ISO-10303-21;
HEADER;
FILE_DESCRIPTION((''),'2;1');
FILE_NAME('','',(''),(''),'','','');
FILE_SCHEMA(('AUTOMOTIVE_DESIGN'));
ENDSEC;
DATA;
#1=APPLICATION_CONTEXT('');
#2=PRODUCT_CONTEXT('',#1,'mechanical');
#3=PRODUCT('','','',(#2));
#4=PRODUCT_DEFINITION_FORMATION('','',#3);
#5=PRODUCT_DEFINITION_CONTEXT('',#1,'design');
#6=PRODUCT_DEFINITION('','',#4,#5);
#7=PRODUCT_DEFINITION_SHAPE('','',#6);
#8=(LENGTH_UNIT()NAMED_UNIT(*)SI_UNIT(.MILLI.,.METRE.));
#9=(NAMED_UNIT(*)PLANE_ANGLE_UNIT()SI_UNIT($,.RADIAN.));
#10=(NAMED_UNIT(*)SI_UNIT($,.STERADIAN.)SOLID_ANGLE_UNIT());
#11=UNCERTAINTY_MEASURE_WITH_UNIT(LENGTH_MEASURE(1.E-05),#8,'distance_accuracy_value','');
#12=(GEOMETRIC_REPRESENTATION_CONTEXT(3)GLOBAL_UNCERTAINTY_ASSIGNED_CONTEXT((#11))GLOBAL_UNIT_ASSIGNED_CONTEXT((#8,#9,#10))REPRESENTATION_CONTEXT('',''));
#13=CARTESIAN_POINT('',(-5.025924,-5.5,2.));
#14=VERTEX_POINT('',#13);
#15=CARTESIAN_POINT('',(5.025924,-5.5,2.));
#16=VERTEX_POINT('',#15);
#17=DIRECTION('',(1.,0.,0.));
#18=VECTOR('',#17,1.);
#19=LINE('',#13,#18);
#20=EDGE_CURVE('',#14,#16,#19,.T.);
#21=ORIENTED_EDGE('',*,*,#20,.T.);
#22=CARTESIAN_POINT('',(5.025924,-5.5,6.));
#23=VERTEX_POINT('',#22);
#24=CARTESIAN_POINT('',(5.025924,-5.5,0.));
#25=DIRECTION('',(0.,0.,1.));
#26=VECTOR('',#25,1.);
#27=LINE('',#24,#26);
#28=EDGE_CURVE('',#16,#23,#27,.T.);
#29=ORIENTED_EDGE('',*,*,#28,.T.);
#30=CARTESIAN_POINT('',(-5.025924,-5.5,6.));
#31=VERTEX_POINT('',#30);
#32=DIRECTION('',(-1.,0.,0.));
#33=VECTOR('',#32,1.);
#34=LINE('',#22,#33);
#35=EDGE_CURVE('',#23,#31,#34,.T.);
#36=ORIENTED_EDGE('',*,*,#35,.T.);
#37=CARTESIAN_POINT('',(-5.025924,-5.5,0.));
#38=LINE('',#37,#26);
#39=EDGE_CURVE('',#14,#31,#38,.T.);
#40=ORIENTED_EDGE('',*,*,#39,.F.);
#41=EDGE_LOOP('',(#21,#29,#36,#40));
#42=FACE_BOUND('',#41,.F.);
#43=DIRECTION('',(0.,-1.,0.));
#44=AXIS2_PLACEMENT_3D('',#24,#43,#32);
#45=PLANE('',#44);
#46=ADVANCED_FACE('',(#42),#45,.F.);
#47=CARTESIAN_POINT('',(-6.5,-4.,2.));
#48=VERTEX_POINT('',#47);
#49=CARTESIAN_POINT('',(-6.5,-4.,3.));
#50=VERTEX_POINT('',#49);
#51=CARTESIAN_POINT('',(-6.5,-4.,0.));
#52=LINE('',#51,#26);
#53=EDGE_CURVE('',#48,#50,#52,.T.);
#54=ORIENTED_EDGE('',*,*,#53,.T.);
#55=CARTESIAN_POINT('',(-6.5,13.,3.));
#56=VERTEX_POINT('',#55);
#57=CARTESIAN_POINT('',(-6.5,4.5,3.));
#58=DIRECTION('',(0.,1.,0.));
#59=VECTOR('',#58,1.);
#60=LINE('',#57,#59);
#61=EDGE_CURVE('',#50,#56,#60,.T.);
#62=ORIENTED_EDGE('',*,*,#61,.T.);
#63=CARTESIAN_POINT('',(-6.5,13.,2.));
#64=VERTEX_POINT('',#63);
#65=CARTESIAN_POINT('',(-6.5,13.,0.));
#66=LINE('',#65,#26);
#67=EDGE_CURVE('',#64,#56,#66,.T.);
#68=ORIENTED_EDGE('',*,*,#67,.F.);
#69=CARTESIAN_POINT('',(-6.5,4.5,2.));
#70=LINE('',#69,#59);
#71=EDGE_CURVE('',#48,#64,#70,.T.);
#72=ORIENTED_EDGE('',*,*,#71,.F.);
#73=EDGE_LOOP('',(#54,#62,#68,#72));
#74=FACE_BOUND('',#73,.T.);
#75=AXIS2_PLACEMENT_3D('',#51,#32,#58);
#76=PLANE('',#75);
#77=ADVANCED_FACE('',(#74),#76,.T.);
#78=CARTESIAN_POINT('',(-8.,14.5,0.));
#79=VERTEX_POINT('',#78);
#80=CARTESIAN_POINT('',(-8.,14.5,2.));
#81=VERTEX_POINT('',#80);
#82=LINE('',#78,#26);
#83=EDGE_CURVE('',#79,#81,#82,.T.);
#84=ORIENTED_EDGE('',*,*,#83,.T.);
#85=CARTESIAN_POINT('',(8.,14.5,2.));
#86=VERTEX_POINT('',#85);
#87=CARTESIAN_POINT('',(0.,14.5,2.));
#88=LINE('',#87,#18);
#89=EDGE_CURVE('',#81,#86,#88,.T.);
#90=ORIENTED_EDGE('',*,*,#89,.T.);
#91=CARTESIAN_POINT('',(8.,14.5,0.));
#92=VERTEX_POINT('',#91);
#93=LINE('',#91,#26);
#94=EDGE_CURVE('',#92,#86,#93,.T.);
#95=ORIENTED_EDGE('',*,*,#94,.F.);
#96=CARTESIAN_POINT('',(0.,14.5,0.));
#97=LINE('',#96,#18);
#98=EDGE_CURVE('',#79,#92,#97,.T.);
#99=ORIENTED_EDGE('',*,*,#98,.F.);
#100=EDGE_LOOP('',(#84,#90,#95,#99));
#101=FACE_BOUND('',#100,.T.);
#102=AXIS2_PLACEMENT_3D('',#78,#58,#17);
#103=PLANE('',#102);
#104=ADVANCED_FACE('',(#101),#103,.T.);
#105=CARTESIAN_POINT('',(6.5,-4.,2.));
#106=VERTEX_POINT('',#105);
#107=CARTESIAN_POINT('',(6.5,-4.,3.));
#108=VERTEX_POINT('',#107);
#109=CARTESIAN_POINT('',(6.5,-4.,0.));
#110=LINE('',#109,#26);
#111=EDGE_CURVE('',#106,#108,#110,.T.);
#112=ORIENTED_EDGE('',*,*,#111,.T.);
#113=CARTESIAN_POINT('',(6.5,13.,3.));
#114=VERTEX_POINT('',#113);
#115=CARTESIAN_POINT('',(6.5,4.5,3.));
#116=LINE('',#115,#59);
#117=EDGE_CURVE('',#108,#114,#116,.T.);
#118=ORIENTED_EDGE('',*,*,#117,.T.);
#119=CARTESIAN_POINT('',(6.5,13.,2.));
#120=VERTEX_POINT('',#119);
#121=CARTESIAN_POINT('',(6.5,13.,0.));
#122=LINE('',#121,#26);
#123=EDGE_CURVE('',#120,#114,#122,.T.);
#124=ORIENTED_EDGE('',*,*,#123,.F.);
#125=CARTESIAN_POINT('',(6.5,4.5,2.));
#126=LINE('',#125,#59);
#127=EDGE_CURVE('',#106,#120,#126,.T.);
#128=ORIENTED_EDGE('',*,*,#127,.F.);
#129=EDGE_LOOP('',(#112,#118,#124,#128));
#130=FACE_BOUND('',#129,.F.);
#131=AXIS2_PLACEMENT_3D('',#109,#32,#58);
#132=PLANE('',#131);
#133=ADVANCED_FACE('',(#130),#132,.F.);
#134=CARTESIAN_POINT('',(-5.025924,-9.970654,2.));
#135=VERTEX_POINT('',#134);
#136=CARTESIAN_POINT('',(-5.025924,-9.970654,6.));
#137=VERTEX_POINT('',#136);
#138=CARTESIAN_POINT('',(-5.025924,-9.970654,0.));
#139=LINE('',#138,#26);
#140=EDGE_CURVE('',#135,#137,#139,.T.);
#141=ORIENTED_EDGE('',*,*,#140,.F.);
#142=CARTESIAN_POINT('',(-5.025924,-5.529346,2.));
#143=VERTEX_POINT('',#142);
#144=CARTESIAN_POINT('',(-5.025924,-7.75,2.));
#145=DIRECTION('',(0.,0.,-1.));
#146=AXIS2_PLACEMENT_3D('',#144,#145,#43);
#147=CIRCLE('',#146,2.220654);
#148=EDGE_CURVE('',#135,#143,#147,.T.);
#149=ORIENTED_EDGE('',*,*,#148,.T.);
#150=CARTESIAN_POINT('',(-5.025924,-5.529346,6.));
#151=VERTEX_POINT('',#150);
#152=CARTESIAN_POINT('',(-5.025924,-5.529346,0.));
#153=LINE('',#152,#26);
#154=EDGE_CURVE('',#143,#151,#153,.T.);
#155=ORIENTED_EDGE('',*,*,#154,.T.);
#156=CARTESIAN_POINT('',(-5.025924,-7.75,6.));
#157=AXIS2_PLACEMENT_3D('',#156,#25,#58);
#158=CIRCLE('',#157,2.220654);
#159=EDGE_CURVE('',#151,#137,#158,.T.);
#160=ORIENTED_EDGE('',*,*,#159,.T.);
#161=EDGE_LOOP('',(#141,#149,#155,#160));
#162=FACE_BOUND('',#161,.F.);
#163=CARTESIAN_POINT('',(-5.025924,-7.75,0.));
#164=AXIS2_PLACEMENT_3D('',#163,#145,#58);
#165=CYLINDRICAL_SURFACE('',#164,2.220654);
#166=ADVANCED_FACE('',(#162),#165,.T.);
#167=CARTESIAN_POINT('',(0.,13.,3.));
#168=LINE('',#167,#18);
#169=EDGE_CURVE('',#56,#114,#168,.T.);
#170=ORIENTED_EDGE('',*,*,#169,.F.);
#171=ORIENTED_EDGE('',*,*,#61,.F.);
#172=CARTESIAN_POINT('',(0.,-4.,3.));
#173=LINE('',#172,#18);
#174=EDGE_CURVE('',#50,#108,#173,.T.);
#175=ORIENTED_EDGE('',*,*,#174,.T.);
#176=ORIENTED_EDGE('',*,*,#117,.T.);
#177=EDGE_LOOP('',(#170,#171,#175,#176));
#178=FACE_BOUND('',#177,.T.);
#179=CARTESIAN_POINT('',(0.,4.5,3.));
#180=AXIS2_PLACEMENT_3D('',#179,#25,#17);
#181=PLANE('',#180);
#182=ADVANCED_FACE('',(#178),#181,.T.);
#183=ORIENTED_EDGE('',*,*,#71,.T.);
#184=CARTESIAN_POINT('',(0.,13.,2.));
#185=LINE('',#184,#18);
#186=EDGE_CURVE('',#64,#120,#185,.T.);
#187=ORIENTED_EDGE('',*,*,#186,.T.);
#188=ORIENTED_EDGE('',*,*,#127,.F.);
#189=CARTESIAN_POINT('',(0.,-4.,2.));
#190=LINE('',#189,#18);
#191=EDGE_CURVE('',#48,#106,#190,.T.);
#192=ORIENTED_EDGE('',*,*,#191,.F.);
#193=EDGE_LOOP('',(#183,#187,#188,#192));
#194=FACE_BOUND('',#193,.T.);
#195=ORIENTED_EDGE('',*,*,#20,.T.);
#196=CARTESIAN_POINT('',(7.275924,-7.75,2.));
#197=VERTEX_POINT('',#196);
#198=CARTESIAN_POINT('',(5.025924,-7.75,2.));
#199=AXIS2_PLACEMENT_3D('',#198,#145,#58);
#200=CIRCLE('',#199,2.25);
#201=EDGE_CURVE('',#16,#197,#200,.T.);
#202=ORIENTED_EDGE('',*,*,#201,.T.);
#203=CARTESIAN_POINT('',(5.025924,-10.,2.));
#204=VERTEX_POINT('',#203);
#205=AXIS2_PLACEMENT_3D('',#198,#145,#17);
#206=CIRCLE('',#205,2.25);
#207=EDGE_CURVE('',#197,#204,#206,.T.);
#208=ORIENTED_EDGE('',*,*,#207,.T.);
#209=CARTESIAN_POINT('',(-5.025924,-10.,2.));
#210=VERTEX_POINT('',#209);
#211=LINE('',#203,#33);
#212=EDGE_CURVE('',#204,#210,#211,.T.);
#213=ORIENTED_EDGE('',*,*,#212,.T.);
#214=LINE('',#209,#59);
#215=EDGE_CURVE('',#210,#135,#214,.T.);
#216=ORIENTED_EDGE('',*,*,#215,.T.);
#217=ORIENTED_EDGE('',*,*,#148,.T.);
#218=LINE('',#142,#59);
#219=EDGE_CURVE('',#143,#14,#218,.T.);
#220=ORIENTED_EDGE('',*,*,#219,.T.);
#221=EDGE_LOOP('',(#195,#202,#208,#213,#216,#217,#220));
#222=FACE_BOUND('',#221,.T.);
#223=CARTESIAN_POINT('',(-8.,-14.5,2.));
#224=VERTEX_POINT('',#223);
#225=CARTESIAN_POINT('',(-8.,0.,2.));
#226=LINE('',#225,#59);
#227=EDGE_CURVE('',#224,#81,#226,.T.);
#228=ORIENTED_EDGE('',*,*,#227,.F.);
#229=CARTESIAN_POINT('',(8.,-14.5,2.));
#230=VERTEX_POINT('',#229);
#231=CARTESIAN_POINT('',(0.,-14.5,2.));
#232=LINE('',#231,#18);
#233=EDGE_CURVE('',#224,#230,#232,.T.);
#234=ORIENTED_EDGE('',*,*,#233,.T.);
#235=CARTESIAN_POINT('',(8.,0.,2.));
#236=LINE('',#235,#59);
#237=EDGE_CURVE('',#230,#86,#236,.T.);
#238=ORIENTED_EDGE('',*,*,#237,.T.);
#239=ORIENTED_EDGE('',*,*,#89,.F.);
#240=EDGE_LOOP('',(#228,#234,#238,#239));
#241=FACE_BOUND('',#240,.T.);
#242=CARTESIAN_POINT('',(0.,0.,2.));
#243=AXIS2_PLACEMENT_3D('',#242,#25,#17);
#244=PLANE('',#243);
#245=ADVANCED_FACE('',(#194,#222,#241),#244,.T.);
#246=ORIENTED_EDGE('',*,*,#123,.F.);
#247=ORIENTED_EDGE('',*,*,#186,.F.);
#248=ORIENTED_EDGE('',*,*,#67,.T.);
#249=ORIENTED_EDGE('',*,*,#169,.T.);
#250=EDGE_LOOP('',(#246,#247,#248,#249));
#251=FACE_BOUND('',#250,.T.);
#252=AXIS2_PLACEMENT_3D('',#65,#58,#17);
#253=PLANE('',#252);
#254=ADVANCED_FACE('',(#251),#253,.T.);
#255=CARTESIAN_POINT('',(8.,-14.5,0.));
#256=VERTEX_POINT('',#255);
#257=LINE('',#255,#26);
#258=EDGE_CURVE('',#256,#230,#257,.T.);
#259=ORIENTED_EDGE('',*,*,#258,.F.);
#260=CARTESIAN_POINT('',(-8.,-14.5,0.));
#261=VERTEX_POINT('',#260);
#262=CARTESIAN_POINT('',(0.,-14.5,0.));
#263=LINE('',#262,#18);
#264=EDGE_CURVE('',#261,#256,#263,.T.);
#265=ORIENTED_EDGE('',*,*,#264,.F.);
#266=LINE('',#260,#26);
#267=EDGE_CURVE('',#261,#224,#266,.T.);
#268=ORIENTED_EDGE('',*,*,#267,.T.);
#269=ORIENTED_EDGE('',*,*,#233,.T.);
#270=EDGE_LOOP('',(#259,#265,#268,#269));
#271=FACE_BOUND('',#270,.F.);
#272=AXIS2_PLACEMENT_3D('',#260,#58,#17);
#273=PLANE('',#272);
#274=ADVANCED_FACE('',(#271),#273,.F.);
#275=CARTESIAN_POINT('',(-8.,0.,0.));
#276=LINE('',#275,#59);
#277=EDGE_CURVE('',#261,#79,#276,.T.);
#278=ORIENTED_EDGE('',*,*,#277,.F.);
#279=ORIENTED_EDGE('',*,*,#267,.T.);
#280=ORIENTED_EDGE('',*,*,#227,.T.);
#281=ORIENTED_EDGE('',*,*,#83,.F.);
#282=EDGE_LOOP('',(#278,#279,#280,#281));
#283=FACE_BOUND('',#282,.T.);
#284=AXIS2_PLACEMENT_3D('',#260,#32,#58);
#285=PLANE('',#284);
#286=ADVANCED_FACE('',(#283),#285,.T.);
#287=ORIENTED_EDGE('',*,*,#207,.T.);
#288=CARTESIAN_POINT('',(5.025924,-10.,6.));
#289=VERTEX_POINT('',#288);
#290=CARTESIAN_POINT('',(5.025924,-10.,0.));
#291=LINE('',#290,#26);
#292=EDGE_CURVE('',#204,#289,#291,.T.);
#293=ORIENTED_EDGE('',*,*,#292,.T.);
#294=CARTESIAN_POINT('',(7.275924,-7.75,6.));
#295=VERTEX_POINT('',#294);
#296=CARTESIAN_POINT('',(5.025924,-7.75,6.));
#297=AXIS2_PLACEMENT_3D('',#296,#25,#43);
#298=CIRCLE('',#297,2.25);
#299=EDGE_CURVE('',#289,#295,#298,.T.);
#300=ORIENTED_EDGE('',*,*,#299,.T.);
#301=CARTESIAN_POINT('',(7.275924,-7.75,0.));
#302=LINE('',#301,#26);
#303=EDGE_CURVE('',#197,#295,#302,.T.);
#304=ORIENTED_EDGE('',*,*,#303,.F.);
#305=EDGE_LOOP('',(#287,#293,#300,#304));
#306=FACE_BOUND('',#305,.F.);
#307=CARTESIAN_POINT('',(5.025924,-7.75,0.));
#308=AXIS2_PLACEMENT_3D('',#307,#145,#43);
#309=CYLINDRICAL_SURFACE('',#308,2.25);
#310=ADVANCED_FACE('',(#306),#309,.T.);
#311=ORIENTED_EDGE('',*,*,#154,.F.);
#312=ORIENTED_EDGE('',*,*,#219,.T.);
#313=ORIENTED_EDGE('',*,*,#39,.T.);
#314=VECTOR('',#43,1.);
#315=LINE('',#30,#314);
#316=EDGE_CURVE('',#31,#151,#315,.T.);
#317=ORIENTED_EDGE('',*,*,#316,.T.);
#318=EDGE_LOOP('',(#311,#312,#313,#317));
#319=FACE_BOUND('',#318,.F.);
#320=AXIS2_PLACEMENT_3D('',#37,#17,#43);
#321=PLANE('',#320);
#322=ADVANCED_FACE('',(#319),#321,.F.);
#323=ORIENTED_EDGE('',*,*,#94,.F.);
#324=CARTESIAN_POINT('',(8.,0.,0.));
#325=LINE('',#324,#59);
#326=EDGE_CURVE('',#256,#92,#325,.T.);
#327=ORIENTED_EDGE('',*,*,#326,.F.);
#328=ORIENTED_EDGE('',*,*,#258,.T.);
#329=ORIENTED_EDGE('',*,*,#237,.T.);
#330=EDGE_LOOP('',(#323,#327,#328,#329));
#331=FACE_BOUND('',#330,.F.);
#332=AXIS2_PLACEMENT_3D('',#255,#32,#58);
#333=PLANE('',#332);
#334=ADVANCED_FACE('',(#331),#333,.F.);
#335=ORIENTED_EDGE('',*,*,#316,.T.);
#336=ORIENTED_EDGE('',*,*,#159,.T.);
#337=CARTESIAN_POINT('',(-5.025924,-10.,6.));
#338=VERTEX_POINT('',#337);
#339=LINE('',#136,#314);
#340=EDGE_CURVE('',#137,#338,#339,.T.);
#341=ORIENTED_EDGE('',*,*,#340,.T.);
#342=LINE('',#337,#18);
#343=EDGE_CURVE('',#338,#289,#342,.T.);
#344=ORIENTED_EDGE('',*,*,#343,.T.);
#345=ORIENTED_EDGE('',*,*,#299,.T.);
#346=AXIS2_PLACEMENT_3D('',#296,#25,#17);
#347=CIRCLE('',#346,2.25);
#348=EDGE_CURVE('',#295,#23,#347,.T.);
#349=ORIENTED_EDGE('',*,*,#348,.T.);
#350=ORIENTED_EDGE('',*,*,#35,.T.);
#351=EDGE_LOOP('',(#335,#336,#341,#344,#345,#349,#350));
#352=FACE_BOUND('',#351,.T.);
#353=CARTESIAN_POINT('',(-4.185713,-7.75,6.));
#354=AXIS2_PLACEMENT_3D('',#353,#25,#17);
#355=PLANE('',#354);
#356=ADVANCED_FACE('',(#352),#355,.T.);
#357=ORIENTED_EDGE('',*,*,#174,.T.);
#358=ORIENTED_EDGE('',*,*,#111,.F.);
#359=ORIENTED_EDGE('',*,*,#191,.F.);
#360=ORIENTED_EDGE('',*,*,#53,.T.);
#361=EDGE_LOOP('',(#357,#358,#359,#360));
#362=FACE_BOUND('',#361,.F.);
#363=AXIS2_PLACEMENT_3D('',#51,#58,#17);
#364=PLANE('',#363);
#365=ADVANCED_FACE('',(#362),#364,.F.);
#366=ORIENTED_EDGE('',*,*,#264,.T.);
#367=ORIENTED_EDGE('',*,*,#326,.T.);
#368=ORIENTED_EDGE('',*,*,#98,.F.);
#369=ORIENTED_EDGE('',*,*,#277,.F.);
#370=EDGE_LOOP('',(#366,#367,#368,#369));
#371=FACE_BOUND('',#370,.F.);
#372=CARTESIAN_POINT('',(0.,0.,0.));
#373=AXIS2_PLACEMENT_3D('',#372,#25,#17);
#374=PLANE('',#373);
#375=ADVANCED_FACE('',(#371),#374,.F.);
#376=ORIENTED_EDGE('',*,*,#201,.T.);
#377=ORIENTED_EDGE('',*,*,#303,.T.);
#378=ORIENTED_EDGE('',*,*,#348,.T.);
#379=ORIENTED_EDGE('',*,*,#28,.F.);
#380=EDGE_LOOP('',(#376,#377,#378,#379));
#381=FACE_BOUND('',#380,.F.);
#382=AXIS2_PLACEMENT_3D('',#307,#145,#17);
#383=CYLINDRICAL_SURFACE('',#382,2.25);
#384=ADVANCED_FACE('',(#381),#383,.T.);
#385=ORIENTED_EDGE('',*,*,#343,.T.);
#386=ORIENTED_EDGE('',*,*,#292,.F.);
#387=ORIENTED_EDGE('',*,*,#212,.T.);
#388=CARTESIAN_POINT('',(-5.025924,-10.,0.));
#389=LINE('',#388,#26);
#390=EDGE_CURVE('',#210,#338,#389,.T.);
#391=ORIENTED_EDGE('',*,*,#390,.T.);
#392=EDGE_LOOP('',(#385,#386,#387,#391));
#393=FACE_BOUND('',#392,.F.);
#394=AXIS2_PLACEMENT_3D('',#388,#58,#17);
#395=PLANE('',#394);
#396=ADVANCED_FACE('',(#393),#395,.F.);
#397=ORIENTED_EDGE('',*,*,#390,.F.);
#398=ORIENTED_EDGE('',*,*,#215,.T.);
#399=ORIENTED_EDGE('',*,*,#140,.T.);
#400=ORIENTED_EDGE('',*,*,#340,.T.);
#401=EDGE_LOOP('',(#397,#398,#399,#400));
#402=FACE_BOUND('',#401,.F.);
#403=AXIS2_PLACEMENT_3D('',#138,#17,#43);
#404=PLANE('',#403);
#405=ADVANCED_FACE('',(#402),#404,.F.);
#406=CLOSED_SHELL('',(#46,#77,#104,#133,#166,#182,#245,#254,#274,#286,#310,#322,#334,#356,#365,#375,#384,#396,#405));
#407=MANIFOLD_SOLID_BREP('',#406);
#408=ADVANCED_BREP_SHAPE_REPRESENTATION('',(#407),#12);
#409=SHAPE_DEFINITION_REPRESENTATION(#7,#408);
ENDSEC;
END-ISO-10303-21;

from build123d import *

# Parameters (mm, degrees)
F0_W     = 16
F0_H     = 29
F0_W_2   = 13
F0_H_2   = 17
F1_DEPTH = 2
F2_DEPTH = 6
F3_DEPTH = 3


with BuildPart() as f1:
    # F0 (on Top) → F1 (new body)
    with BuildSketch(Plane.XY):
        Rectangle(F0_W, F0_H)
        with BuildLine():
            ThreePointArc((7.2759241834, -7.75), (6.6169144411, -9.3409902577), (5.0259241834, -10))
            Line((5.0259241834, -10), (-5.0259241834, -10))
            Line((-5.0259241834, -10), (-5.0259241834, -9.9706540408))
            ThreePointArc((-5.0259241834, -9.9706540408), (-7.2465782242, -7.75), (-5.0259241834, -5.5293459592))
            Line((-5.0259241834, -5.5293459592), (-5.0259241834, -5.5))
            Line((-5.0259241834, -5.5), (5.0259241834, -5.5))
            ThreePointArc((5.0259241834, -5.5), (6.6169144411, -6.1590097423), (7.2759241834, -7.75))
        make_face(mode=Mode.SUBTRACT)
        with Locations((0, 4.5)):
            Rectangle(F0_W_2, F0_H_2, mode=Mode.SUBTRACT)
    extrude(amount=F1_DEPTH)

    # F0 (on Top) → F2 (join)
    with BuildSketch(Plane.XY):
        with BuildLine():
            Line((-5.0259241834, -5.5293459592), (-5.0259241834, -9.9706540408))
            ThreePointArc((-5.0259241834, -9.9706540408), (-3.4556846525, -9.3202395309), (-2.8052701426, -7.75))
            ThreePointArc((-2.8052701426, -7.75), (-3.4556846525, -6.1797604691), (-5.0259241834, -5.5293459592))
        make_face()
        with BuildLine():
            ThreePointArc((-5.0259241834, -5.5293459592), (-7.2465782242, -7.75), (-5.0259241834, -9.9706540408))
            Line((-5.0259241834, -9.9706540408), (-5.0259241834, -5.5293459592))
        make_face()
        with BuildLine():
            ThreePointArc((5.0259241834, -5.5), (2.7759241834, -7.75), (5.0259241834, -10))
            Line((5.0259241834, -10), (5.0259241834, -5.5))
        make_face()
        with BuildLine():
            Line((5.0259241834, -5.5), (5.0259241834, -10))
            ThreePointArc((5.0259241834, -10), (6.6169144411, -9.3409902577), (7.2759241834, -7.75))
            ThreePointArc((7.2759241834, -7.75), (6.6169144411, -6.1590097423), (5.0259241834, -5.5))
        make_face()
        with BuildLine():
            Line((-5.0259241834, -10), (5.0259241834, -10))
            ThreePointArc((5.0259241834, -10), (2.7759241834, -7.75), (5.0259241834, -5.5))
            Line((5.0259241834, -5.5), (-5.0259241834, -5.5))
            Line((-5.0259241834, -5.5), (-5.0259241834, -5.5293459592))
            ThreePointArc((-5.0259241834, -5.5293459592), (-3.4556846525, -6.1797604691), (-2.8052701426, -7.75))
            ThreePointArc((-2.8052701426, -7.75), (-3.4556846525, -9.3202395309), (-5.0259241834, -9.9706540408))
            Line((-5.0259241834, -9.9706540408), (-5.0259241834, -10))
        make_face()
    extrude(amount=F2_DEPTH)

    # F0 (on Top) → F3 (join)
    with BuildSketch(Plane.XY):
        with Locations((0, 4.5)):
            Rectangle(F0_W_2, F0_H_2)
    extrude(amount=F3_DEPTH)


solid = f1.part
